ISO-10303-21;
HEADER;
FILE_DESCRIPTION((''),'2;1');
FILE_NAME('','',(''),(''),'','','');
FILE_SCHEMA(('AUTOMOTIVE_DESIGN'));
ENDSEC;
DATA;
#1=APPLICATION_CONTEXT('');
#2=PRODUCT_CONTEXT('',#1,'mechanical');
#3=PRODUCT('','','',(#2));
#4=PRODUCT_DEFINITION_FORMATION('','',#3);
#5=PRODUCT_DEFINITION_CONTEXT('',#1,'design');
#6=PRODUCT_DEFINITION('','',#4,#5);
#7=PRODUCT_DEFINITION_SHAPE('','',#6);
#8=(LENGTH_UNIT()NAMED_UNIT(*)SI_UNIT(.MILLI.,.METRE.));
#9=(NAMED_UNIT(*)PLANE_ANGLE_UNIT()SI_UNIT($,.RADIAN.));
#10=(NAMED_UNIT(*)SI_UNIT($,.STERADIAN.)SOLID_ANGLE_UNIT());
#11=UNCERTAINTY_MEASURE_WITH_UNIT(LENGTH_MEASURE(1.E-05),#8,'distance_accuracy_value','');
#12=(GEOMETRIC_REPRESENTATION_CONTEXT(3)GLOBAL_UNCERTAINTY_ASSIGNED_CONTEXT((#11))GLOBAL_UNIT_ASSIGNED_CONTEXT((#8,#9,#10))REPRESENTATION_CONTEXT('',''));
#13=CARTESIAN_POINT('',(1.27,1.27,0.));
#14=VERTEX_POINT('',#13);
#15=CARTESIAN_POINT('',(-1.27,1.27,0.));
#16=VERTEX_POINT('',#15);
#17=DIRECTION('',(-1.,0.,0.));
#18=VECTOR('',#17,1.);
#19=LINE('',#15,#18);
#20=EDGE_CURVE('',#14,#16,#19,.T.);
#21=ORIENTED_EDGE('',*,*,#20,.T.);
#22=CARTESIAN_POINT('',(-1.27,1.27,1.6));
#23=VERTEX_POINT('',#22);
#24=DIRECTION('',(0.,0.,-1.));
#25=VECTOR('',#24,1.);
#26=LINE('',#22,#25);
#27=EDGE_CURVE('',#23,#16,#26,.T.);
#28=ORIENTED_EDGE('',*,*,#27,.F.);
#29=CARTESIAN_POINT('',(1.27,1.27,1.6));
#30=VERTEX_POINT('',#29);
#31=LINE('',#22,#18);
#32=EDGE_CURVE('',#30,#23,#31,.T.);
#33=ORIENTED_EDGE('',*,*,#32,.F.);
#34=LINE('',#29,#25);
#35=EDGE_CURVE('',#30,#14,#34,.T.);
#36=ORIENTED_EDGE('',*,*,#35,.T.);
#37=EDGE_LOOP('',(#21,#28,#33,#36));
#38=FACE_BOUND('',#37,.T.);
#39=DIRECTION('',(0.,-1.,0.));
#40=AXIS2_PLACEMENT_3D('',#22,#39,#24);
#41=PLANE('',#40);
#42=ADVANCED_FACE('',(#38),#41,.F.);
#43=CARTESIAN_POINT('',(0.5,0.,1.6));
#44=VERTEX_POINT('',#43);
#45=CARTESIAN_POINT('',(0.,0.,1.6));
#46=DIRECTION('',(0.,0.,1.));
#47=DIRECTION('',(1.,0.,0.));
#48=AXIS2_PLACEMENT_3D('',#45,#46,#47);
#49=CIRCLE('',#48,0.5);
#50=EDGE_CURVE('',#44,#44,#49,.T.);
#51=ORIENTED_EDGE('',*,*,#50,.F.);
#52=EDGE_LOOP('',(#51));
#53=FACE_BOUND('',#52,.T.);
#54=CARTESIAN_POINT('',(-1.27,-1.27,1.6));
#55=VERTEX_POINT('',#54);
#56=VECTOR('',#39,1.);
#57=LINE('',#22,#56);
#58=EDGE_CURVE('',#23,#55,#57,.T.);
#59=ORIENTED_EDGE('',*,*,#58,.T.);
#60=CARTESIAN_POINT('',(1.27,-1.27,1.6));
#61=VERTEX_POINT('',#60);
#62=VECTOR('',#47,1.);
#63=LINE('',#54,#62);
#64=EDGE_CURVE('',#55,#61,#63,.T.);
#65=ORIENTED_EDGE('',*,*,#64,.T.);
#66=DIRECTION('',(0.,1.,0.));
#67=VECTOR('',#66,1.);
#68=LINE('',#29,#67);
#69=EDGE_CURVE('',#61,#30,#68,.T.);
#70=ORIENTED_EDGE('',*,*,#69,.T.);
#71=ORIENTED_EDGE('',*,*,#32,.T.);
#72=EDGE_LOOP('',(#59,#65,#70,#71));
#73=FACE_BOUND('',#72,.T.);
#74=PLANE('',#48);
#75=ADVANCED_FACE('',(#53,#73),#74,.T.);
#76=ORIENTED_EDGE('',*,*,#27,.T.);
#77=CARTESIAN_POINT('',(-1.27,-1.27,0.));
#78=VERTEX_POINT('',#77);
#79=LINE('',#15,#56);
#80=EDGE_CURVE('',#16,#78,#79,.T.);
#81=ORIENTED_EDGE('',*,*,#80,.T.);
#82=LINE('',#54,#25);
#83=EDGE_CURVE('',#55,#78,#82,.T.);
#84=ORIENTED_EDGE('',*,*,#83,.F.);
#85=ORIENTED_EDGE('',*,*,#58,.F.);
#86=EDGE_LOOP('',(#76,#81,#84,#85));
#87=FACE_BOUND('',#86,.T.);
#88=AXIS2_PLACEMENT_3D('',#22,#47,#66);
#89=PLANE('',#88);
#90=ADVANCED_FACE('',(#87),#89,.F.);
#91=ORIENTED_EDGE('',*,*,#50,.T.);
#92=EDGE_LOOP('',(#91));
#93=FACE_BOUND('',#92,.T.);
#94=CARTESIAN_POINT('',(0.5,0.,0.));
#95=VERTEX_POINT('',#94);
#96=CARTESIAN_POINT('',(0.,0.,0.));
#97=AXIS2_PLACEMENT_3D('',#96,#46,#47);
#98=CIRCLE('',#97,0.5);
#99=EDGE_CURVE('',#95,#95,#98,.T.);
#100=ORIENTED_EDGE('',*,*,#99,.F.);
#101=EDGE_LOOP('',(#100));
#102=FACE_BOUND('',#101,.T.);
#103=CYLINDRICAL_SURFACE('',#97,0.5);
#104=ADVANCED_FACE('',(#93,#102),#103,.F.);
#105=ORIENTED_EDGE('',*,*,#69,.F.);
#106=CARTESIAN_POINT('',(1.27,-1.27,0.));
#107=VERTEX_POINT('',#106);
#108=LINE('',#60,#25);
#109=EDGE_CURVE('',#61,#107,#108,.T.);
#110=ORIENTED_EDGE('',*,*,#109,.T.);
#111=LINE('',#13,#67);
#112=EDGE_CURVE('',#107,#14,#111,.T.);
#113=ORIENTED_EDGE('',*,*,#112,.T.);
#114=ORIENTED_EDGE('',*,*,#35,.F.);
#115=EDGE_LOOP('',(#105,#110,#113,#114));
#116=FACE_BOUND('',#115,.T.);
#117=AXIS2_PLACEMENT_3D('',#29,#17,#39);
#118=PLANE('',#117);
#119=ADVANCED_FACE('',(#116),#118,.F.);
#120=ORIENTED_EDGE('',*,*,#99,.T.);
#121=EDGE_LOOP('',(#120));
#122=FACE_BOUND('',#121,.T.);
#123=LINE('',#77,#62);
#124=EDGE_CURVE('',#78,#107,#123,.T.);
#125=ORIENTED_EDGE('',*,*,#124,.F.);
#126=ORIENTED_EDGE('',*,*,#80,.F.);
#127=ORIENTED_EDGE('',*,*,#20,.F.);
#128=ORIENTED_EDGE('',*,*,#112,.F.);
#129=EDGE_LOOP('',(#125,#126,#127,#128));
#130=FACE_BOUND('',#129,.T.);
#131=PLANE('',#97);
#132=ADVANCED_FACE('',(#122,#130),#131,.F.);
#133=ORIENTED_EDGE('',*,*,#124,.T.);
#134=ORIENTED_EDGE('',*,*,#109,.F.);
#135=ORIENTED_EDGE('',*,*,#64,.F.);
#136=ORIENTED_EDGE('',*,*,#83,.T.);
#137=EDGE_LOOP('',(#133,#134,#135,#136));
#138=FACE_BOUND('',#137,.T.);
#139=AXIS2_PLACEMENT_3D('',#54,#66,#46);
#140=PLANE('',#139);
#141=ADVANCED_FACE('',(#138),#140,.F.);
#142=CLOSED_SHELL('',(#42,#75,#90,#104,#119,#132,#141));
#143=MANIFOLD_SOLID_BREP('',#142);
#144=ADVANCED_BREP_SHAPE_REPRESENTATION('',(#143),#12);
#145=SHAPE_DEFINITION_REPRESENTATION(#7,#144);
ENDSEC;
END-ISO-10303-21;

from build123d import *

# Parameters (mm, degrees)
SKETCH_1_W          = 2.54
SKETCH_1_H          = 2.54
EXTRUDE_1_DEPTH     = 1.6
SKETCH_2_R          = 0.5
CUT_EXTRUDE_1_DEPTH = 3.405368995


with BuildPart() as part:
    # ｽｹｯﾁ1 → ﾎﾞｽ - 押し出し1 (new body)
    with BuildSketch(Plane.XY):
        Rectangle(SKETCH_1_W, SKETCH_1_H)
    extrude(amount=EXTRUDE_1_DEPTH)

    # ｽｹｯﾁ2 → ｶｯﾄ - 押し出し1 (cut, through all)
    with BuildSketch(Plane.XY.offset(1.6)):
        Circle(SKETCH_2_R)
    extrude(amount=-CUT_EXTRUDE_1_DEPTH, mode=Mode.SUBTRACT)


solid = part.part
